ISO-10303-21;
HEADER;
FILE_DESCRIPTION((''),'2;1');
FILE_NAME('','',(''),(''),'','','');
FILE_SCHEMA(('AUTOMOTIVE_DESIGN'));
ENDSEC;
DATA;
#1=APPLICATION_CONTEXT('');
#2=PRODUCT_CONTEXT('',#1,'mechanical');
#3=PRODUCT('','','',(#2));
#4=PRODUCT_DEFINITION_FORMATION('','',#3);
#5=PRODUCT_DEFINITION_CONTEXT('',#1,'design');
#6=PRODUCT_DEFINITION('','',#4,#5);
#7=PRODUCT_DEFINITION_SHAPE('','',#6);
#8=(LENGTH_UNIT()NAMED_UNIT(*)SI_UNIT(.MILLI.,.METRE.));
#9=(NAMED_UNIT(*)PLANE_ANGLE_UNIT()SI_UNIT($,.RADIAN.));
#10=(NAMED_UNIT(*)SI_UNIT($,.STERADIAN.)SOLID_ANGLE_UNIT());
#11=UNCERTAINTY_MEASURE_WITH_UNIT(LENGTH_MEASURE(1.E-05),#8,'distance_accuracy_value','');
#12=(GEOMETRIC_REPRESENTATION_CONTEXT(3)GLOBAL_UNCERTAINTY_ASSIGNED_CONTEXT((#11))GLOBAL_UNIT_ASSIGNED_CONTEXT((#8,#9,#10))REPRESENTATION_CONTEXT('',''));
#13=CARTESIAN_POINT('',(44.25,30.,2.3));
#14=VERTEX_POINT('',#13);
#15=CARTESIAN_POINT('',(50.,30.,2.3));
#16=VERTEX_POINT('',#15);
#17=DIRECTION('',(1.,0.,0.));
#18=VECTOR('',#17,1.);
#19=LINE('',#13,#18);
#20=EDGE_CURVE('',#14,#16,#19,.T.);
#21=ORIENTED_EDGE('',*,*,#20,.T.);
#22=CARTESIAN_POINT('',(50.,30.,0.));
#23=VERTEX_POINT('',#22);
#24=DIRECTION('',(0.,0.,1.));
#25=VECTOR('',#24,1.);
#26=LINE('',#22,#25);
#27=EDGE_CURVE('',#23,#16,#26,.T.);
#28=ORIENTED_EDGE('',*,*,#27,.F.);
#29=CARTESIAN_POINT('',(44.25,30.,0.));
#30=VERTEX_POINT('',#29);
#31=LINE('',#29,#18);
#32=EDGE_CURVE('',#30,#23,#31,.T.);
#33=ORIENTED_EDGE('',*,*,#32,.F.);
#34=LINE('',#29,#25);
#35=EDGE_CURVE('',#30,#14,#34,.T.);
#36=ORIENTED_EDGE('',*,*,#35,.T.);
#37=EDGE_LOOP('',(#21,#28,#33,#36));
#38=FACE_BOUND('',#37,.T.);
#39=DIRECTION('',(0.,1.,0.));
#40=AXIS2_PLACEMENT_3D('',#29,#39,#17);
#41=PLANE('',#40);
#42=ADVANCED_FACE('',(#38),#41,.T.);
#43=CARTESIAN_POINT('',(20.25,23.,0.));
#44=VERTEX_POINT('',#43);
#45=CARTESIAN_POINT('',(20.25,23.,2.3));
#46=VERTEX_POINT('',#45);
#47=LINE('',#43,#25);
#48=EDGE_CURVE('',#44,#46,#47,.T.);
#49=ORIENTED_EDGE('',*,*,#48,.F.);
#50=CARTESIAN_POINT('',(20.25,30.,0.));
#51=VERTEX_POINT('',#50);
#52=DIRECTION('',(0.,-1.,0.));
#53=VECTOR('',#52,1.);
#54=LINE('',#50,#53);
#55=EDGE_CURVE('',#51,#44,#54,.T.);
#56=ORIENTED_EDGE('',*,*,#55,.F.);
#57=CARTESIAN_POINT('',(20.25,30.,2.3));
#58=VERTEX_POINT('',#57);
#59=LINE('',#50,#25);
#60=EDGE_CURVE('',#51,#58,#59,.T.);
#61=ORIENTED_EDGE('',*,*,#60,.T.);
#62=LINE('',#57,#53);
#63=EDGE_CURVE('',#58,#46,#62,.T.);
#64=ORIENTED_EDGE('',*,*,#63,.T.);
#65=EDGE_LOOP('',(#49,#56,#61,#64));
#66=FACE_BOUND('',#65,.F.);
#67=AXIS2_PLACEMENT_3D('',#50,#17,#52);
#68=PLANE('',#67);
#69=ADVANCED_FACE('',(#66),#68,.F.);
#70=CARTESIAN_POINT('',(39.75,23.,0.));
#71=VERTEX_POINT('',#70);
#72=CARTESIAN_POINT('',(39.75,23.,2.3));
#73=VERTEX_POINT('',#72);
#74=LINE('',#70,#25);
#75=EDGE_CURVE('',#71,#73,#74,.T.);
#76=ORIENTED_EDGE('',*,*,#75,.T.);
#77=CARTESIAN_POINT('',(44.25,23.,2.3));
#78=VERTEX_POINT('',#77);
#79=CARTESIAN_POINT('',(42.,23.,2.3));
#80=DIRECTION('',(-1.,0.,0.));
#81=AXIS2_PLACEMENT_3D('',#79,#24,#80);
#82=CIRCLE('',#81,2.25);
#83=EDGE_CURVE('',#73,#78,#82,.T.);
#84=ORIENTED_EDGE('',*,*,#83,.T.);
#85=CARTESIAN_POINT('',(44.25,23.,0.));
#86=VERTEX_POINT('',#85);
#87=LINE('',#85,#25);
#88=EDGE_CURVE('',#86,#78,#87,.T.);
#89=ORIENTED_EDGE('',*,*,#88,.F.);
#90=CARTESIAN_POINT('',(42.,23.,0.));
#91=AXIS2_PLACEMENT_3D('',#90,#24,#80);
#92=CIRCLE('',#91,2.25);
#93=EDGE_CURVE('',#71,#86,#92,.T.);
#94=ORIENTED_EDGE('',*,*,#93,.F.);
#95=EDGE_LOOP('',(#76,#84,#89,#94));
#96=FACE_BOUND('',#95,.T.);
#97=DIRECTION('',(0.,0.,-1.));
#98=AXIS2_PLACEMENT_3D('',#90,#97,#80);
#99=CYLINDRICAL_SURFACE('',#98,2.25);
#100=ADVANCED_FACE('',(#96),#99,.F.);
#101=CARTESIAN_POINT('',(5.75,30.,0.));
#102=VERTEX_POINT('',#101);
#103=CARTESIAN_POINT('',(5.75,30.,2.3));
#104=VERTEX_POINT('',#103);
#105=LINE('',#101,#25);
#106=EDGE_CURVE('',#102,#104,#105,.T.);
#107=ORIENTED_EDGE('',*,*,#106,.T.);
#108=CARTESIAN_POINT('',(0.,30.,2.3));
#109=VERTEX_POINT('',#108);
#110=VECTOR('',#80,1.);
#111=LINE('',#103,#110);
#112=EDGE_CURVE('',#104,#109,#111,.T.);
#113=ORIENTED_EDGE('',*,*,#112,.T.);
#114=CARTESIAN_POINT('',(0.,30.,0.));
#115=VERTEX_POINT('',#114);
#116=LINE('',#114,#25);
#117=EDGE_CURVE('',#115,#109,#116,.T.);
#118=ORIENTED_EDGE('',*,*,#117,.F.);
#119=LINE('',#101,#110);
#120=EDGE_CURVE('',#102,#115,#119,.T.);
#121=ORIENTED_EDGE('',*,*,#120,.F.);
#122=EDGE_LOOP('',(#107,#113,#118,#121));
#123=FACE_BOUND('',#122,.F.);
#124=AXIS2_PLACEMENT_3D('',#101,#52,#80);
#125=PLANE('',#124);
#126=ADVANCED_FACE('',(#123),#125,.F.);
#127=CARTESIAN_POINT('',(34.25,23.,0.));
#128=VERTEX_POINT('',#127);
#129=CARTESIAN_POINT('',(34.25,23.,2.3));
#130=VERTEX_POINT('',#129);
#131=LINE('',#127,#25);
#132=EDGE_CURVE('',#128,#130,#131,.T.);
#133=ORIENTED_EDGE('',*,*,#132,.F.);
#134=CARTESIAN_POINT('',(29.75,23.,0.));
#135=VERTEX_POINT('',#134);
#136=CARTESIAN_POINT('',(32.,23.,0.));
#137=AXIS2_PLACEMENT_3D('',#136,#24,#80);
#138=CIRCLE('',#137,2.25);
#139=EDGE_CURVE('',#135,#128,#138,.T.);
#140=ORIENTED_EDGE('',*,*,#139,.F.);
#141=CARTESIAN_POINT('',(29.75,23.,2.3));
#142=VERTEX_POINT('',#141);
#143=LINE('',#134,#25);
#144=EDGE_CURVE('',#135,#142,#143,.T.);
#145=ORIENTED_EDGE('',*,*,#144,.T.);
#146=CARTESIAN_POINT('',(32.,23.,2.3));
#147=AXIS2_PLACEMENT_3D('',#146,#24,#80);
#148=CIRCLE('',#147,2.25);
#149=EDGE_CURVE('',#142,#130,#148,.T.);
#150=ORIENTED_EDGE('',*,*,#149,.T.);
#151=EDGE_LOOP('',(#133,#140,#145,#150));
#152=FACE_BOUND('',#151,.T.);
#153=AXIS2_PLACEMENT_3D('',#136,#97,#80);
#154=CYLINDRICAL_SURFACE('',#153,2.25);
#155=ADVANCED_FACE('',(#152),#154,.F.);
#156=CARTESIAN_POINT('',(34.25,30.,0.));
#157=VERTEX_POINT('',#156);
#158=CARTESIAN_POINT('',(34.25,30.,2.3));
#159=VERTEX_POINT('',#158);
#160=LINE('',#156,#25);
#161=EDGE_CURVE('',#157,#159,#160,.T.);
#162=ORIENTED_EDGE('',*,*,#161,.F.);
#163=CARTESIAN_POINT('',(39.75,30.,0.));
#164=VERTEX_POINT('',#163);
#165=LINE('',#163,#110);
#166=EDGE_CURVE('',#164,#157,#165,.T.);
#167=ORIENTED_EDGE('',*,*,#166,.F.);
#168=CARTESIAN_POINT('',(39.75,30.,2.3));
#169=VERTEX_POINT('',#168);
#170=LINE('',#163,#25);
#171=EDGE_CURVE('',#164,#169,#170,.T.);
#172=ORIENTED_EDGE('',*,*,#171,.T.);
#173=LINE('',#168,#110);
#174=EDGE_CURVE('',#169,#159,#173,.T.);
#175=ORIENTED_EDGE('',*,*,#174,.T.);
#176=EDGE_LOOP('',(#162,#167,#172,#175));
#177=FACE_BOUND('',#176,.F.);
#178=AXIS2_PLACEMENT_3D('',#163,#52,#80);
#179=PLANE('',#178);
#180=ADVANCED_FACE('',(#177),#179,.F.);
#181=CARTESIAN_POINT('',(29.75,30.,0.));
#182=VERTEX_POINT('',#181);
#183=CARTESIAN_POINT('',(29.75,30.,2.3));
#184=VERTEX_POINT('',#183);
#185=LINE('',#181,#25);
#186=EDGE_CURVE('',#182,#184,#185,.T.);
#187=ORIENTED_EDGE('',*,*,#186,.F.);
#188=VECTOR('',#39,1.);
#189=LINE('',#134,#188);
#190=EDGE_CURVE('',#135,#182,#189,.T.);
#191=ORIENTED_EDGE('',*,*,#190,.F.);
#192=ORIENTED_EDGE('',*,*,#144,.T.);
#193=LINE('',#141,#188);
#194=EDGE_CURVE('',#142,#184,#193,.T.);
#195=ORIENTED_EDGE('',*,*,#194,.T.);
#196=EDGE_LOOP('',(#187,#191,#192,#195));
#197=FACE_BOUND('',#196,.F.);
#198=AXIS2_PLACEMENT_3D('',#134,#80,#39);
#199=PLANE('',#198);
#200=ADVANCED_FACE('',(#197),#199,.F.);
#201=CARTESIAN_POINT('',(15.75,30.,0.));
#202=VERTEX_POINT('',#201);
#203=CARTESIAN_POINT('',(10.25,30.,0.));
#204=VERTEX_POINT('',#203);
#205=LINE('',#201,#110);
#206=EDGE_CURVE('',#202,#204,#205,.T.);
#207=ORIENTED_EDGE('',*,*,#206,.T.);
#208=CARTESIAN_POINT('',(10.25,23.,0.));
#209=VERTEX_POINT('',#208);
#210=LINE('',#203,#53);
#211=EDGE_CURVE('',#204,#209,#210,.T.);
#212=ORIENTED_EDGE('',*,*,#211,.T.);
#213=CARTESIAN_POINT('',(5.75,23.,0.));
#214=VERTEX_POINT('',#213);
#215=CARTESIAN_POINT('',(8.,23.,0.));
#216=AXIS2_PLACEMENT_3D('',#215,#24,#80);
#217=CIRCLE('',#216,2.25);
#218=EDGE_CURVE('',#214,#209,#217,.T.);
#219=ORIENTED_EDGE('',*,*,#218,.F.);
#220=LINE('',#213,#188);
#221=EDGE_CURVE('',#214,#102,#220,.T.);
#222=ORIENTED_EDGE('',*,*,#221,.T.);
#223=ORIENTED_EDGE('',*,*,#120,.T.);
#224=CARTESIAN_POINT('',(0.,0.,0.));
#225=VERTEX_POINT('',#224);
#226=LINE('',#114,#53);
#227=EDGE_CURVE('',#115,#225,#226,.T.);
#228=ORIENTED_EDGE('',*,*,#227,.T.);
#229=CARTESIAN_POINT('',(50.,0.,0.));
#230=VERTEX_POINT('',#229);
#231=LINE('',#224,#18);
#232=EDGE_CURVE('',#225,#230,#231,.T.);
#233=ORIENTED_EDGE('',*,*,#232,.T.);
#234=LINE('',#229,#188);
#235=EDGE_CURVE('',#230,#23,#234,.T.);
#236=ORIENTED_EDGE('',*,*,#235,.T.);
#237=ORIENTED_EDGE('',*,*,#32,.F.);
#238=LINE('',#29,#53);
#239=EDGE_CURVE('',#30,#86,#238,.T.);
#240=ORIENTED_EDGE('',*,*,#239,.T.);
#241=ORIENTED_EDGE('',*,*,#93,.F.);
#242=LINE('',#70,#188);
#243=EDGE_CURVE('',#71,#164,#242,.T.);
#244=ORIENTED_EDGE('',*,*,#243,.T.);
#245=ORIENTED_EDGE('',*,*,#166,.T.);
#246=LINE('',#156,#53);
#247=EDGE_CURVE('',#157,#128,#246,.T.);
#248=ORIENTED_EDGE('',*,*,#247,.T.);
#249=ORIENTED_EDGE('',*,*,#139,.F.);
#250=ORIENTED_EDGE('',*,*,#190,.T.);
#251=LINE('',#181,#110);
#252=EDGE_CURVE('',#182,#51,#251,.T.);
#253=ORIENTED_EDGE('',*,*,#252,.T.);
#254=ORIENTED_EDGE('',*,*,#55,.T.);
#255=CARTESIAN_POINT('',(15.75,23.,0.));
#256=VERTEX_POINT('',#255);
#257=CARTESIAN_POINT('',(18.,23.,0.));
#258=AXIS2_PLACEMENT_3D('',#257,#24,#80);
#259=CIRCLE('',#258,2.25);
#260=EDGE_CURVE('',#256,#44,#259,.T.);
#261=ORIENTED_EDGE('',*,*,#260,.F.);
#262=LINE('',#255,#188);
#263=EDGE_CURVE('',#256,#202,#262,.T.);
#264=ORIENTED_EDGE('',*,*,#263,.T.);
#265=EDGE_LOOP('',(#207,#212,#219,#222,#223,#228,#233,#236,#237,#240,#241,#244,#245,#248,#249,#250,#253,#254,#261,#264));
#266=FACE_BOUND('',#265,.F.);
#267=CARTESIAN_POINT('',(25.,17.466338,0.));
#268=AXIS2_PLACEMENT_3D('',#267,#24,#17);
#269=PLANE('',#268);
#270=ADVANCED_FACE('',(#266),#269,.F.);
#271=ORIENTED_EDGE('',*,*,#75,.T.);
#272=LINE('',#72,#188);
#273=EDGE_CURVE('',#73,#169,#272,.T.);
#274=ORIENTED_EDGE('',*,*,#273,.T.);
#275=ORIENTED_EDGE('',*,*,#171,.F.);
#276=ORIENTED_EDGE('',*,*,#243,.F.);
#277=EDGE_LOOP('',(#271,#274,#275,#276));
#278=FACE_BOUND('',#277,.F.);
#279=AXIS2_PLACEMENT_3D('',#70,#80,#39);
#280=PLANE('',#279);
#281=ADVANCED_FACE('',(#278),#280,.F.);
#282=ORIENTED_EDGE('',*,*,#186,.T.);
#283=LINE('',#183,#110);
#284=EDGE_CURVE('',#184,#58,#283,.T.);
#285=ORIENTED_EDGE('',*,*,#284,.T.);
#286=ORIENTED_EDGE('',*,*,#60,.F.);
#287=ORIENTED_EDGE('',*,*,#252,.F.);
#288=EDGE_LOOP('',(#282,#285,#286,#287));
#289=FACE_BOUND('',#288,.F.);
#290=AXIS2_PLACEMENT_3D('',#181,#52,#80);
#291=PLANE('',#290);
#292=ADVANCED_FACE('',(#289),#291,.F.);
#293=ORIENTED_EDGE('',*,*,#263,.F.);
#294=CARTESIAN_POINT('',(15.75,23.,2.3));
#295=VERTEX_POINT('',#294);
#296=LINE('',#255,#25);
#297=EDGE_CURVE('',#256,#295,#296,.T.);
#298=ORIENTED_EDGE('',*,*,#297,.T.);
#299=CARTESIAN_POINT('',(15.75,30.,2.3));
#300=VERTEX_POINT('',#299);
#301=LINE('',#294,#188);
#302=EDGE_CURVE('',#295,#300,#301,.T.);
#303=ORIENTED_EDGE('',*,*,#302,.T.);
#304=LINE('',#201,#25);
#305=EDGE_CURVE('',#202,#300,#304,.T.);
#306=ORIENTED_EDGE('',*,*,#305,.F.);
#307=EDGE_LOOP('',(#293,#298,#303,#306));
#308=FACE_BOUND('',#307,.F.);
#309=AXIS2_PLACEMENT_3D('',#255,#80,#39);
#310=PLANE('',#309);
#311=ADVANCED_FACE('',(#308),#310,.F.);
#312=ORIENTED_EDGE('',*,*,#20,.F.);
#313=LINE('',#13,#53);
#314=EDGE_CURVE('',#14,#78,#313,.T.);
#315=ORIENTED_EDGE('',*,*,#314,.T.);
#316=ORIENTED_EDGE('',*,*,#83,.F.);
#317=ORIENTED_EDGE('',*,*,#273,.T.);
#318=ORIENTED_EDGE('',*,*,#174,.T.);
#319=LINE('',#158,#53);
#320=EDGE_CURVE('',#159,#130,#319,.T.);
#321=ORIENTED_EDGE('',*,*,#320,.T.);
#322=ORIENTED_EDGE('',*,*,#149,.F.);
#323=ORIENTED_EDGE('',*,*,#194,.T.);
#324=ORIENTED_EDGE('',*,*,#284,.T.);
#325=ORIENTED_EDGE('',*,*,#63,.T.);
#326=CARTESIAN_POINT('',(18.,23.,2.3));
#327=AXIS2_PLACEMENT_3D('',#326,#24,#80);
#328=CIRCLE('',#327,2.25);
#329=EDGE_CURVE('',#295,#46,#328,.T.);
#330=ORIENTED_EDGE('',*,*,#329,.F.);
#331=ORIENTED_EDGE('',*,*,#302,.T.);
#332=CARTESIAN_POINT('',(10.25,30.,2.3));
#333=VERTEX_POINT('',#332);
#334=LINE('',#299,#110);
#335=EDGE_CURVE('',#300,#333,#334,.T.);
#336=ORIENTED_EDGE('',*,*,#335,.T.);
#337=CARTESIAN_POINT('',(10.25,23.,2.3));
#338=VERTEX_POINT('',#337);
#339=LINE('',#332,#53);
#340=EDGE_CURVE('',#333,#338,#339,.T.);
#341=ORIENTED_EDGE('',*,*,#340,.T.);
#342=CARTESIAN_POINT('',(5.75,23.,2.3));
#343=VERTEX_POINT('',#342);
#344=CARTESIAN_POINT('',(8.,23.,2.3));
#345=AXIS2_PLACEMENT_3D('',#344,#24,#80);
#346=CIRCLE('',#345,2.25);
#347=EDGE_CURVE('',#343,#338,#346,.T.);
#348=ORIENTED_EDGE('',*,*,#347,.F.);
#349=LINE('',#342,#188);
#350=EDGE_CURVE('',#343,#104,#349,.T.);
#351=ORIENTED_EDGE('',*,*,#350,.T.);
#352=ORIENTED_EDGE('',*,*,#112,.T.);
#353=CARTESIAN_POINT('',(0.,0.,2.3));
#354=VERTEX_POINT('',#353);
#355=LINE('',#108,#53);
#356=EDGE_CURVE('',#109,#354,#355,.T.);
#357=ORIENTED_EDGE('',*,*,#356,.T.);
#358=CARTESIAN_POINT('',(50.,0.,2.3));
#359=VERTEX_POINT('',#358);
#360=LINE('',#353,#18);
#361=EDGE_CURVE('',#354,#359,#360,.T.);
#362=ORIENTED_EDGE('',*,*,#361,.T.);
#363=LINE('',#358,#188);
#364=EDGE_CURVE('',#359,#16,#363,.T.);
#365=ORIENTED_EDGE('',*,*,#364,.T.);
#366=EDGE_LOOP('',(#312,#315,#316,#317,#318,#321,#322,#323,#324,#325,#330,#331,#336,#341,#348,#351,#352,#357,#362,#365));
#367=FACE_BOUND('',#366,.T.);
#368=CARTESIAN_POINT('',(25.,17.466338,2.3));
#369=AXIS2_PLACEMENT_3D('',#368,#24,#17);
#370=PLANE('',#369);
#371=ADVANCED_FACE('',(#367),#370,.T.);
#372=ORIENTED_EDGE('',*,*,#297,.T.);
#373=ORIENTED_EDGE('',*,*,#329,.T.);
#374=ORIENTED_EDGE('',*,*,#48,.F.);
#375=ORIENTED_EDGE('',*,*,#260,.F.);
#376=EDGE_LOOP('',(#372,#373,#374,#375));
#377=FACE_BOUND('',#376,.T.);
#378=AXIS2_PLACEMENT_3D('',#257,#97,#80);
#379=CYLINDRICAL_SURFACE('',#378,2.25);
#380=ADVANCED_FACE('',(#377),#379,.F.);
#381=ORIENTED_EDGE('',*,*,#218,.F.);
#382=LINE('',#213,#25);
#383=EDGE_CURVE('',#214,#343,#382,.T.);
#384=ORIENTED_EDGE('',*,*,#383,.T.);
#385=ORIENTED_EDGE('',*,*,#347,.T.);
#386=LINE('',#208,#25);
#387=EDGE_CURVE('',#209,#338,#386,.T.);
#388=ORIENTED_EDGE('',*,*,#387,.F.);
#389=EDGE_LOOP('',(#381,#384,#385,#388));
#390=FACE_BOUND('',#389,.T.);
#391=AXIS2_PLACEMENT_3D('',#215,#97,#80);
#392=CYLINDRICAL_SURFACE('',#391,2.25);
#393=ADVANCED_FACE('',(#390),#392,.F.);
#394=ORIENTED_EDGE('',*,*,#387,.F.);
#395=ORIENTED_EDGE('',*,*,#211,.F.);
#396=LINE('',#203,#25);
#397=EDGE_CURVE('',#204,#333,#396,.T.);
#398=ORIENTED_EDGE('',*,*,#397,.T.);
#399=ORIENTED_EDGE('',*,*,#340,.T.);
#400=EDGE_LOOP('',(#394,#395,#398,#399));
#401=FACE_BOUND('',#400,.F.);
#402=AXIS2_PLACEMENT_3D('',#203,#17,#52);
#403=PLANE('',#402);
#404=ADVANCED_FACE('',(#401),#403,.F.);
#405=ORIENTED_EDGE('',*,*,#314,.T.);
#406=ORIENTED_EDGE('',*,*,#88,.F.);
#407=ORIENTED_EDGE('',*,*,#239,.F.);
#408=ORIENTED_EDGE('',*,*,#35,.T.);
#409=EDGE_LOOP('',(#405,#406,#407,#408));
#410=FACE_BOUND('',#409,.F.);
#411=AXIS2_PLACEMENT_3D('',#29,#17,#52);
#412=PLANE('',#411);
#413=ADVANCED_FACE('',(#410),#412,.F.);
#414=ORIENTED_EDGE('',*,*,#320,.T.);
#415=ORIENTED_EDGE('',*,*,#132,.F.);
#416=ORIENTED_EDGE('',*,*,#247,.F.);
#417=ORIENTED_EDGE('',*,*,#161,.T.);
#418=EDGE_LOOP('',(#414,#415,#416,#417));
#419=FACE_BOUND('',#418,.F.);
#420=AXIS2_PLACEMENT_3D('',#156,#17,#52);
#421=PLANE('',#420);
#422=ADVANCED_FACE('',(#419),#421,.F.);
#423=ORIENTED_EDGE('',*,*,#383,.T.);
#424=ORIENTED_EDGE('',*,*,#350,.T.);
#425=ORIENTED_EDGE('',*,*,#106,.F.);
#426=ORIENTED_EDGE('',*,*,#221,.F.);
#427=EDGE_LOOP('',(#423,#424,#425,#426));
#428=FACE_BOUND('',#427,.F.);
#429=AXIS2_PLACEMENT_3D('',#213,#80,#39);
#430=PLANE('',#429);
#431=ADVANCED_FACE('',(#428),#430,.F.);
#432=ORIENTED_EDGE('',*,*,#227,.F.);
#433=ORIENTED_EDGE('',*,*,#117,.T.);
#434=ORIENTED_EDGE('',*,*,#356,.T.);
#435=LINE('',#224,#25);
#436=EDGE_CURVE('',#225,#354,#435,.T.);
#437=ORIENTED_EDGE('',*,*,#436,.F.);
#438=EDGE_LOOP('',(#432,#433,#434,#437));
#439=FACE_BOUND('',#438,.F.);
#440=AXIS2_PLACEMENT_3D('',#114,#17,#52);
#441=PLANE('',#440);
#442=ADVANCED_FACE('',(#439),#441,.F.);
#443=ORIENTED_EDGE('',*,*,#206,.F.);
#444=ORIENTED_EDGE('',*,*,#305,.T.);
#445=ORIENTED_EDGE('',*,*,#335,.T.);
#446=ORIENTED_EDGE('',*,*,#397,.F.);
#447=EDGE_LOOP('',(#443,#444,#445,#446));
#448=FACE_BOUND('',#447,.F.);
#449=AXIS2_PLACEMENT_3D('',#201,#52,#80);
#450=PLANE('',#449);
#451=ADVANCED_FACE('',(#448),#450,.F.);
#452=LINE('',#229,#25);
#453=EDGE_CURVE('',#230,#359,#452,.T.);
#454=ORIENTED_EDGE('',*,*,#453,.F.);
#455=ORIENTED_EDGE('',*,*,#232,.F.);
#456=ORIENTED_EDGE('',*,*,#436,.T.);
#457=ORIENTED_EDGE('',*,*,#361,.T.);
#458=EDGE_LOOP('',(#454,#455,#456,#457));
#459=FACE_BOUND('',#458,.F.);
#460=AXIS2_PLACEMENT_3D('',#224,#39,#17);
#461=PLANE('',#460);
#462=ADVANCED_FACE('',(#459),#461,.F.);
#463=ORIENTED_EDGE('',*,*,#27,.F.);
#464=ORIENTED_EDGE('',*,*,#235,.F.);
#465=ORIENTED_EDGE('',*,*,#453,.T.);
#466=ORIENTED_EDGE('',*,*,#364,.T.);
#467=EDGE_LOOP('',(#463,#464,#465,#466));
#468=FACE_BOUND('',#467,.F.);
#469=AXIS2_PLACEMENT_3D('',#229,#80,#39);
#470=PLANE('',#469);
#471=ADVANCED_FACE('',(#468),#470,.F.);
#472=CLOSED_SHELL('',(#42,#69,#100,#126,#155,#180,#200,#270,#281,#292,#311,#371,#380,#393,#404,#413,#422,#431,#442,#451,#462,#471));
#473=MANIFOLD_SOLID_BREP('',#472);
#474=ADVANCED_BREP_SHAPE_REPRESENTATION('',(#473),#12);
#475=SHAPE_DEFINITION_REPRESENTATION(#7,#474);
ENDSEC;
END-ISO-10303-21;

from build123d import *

# Parameters (mm, degrees)
PAD_DEPTH = 2.3


with BuildPart() as part:
    # Sketch → Pad (new body)
    with BuildSketch(Plane.XY):
        with BuildLine():
            Line((0, 0), (50, 0))
            Line((50, 0), (50, 30))
            Line((44.25, 30), (50, 30))
            Line((44.25, 30), (44.25, 23))
            ThreePointArc((39.75, 23), (42, 20.75), (44.25, 23))
            Line((39.75, 23), (39.75, 30))
            Line((39.75, 30), (34.25, 30))
            Line((34.25, 30), (34.25, 23))
            ThreePointArc((29.75, 23), (32, 20.75), (34.25, 23))
            Line((29.75, 23), (29.75, 30))
            Line((29.75, 30), (20.25, 30))
            Line((20.25, 30), (20.25, 23))
            ThreePointArc((15.75, 23), (18, 20.75), (20.25, 23))
            Line((15.75, 23), (15.75, 30))
            Line((15.75, 30), (10.25, 30))
            Line((10.25, 30), (10.25, 23))
            ThreePointArc((5.75, 23), (8, 20.75), (10.25, 23))
            Line((5.75, 23), (5.75, 30))
            Line((5.75, 30), (0, 30))
            Line((0, 30), (0, 0))
        make_face()
    extrude(amount=PAD_DEPTH)


solid = part.part
